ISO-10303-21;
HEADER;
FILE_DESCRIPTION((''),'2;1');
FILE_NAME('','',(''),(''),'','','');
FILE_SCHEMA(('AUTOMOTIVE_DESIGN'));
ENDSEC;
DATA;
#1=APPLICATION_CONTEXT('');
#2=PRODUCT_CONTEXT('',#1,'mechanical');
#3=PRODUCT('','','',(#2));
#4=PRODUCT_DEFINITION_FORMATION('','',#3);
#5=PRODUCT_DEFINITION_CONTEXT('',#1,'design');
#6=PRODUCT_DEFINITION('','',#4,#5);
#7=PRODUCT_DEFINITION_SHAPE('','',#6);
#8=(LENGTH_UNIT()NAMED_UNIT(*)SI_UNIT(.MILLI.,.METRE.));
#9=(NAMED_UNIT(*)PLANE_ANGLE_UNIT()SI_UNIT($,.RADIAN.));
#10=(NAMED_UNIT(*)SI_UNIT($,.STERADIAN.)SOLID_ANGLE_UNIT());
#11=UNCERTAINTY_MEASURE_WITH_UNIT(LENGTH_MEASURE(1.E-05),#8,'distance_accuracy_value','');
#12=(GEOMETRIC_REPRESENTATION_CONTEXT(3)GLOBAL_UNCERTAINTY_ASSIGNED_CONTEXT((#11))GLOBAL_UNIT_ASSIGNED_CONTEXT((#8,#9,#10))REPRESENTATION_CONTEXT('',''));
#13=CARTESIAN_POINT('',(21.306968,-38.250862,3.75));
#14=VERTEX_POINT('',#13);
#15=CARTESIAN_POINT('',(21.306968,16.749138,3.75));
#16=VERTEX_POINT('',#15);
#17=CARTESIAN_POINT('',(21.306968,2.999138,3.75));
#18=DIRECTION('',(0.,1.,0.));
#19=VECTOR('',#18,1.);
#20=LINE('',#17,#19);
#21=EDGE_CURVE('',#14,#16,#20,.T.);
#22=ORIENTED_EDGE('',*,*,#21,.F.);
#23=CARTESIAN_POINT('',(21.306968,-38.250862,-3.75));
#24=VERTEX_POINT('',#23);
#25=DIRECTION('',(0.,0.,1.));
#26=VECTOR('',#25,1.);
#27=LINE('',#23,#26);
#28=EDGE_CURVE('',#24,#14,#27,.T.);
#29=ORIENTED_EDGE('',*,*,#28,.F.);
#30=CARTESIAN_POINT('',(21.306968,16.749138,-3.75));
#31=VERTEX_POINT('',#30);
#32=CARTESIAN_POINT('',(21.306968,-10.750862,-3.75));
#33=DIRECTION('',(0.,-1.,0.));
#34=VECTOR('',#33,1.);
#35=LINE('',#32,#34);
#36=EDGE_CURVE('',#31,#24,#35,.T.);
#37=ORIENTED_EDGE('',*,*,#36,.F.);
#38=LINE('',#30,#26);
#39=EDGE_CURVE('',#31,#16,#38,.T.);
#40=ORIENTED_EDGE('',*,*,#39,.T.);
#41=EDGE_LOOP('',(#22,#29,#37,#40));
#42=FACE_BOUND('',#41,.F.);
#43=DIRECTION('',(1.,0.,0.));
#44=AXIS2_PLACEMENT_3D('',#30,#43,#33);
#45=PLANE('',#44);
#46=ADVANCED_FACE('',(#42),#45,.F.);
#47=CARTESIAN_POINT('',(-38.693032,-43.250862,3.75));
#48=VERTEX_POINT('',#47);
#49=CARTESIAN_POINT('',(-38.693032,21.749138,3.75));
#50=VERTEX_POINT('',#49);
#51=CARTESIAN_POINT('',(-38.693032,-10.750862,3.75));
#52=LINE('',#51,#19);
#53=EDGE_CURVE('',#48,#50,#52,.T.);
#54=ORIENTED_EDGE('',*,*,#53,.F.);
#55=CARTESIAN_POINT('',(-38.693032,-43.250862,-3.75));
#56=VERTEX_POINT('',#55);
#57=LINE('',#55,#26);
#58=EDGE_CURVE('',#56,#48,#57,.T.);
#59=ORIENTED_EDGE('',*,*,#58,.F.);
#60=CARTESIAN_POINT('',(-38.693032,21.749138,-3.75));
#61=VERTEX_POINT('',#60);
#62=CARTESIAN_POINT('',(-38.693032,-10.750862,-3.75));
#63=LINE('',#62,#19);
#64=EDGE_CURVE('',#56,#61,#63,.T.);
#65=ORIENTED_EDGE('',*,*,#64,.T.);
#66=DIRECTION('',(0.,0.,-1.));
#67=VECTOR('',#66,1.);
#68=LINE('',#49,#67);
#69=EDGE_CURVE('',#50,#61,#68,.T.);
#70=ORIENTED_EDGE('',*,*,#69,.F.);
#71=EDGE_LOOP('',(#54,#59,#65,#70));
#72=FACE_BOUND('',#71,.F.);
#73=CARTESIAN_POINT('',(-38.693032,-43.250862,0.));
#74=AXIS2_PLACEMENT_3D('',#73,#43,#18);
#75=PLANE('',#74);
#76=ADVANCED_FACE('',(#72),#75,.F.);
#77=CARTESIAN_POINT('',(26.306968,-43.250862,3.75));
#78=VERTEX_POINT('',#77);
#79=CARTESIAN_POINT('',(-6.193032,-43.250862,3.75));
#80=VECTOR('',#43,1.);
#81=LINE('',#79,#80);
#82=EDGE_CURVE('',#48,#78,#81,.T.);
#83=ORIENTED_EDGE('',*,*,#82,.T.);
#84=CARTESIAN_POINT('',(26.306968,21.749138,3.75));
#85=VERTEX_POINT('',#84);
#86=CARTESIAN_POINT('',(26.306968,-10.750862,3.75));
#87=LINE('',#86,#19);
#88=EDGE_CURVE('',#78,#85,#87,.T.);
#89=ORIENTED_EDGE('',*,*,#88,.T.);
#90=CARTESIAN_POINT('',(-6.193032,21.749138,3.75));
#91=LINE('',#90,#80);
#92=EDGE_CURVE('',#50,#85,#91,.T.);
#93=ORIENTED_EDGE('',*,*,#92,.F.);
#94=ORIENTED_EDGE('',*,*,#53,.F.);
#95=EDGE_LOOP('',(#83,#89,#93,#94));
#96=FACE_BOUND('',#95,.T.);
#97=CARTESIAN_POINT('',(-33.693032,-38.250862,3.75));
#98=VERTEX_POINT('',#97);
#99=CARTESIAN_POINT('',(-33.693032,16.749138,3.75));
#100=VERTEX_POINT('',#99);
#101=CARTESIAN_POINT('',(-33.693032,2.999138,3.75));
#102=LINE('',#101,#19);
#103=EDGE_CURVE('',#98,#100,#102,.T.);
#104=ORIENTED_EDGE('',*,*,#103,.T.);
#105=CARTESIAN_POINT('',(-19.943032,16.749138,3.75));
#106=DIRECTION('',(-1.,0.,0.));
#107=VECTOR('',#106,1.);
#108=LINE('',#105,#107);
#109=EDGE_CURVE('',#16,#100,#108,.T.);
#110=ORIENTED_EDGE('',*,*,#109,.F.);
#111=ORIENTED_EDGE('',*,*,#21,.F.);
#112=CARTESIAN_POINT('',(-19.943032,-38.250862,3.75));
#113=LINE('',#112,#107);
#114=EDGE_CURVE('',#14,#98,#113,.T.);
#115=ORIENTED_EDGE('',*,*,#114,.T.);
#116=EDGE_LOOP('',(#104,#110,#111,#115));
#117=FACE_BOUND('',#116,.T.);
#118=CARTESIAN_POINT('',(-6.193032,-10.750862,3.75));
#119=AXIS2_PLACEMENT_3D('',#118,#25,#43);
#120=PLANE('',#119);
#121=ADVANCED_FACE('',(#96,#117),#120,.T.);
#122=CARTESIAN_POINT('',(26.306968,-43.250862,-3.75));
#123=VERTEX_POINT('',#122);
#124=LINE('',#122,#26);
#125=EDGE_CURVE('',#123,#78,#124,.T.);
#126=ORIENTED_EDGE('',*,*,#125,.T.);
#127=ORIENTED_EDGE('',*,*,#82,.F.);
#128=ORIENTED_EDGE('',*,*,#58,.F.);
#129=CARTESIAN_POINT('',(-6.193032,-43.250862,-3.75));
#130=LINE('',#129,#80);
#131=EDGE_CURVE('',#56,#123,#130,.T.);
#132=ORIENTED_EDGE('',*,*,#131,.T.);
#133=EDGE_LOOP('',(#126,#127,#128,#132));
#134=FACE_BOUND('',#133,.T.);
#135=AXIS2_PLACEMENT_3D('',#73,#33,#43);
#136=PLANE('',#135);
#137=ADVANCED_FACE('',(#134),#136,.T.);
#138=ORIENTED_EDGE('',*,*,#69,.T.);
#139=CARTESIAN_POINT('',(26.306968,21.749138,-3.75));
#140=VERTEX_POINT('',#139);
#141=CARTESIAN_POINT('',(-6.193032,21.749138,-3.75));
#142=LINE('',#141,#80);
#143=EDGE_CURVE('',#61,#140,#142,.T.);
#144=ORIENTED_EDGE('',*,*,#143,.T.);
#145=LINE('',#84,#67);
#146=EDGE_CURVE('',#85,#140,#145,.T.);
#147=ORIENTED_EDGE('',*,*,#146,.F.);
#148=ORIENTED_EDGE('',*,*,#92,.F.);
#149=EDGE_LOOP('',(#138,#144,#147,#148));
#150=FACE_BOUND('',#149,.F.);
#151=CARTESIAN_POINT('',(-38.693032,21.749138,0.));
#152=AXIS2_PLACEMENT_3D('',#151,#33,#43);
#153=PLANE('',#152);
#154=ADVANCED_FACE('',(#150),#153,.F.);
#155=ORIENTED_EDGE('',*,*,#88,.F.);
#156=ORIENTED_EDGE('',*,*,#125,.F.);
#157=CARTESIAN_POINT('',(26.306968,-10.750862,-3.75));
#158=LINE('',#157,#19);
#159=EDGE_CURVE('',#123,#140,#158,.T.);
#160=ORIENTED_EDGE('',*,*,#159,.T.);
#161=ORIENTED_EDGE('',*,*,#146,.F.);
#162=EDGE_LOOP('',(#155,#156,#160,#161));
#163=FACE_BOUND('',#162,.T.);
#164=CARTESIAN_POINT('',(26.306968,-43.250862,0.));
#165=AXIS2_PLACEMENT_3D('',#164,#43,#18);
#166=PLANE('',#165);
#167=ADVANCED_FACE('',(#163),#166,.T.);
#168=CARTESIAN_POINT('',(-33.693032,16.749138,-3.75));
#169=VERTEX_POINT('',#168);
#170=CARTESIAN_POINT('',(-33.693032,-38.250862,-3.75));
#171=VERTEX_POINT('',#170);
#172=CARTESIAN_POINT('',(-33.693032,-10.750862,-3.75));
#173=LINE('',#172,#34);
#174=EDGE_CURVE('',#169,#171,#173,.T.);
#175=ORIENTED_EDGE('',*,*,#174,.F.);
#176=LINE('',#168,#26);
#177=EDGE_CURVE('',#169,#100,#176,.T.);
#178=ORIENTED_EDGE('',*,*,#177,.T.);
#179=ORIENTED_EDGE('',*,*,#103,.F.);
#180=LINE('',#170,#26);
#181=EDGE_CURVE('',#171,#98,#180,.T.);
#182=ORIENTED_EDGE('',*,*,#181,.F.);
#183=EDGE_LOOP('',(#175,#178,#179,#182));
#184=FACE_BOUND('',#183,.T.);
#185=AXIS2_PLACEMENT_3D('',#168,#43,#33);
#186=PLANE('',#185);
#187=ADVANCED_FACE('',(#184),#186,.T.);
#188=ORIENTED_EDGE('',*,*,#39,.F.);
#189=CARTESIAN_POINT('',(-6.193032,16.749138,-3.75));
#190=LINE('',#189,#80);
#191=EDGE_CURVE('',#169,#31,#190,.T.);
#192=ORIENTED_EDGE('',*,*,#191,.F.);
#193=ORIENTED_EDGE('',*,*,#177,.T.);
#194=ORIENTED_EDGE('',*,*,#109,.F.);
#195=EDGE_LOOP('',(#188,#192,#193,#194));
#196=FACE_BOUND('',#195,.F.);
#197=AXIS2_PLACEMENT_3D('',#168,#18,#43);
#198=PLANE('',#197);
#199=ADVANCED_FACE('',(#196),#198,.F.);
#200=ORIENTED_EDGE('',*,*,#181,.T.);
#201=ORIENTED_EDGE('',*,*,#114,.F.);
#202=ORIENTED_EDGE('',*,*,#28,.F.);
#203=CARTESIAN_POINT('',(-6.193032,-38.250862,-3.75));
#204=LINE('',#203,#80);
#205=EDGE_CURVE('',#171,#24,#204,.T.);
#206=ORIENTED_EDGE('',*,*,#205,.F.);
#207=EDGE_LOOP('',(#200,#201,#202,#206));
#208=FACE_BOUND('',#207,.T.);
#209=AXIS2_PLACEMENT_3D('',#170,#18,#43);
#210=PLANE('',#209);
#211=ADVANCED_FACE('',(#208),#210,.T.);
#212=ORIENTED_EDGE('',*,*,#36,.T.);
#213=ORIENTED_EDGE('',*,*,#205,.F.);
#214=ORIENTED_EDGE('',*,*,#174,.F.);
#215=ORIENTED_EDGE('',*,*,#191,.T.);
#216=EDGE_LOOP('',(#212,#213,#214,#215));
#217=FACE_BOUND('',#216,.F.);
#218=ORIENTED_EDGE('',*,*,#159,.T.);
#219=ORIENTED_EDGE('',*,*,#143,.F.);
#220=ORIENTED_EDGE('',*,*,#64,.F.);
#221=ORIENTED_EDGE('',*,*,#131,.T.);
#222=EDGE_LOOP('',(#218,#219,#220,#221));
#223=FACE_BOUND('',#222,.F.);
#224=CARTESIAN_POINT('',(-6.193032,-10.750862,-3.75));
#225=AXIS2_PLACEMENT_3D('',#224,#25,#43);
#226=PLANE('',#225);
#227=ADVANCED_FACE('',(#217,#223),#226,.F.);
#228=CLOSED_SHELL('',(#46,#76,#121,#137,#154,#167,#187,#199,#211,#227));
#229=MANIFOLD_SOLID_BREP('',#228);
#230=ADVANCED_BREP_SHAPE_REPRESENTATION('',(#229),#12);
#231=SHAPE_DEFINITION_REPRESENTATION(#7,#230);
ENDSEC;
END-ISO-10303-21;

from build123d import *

# Parameters (mm, degrees)
SKETCH_W     = 65
SKETCH_H     = 65
PAD_DEPTH    = 3.75
SKETCH001_W  = 55
SKETCH001_H  = 55
POCKET_DEPTH = 7.501


with BuildPart() as part:
    # Sketch → Pad (new body, symmetric)
    with BuildSketch(Plane.XY):
        with Locations((-6.193032, -10.750862)):
            Rectangle(SKETCH_W, SKETCH_H)
    extrude(amount=PAD_DEPTH, both=True)

    # Sketch001 (on Face5 of Pad) → Pocket (cut, through all)
    with BuildSketch(Plane(origin=(0, 0, -3.75), x_dir=(1, 0, 0), z_dir=(0, 0, -1))):
        with Locations((-6.193032, 10.750862)):
            Rectangle(SKETCH001_W, SKETCH001_H)
    extrude(amount=-POCKET_DEPTH, mode=Mode.SUBTRACT)


solid = part.part
